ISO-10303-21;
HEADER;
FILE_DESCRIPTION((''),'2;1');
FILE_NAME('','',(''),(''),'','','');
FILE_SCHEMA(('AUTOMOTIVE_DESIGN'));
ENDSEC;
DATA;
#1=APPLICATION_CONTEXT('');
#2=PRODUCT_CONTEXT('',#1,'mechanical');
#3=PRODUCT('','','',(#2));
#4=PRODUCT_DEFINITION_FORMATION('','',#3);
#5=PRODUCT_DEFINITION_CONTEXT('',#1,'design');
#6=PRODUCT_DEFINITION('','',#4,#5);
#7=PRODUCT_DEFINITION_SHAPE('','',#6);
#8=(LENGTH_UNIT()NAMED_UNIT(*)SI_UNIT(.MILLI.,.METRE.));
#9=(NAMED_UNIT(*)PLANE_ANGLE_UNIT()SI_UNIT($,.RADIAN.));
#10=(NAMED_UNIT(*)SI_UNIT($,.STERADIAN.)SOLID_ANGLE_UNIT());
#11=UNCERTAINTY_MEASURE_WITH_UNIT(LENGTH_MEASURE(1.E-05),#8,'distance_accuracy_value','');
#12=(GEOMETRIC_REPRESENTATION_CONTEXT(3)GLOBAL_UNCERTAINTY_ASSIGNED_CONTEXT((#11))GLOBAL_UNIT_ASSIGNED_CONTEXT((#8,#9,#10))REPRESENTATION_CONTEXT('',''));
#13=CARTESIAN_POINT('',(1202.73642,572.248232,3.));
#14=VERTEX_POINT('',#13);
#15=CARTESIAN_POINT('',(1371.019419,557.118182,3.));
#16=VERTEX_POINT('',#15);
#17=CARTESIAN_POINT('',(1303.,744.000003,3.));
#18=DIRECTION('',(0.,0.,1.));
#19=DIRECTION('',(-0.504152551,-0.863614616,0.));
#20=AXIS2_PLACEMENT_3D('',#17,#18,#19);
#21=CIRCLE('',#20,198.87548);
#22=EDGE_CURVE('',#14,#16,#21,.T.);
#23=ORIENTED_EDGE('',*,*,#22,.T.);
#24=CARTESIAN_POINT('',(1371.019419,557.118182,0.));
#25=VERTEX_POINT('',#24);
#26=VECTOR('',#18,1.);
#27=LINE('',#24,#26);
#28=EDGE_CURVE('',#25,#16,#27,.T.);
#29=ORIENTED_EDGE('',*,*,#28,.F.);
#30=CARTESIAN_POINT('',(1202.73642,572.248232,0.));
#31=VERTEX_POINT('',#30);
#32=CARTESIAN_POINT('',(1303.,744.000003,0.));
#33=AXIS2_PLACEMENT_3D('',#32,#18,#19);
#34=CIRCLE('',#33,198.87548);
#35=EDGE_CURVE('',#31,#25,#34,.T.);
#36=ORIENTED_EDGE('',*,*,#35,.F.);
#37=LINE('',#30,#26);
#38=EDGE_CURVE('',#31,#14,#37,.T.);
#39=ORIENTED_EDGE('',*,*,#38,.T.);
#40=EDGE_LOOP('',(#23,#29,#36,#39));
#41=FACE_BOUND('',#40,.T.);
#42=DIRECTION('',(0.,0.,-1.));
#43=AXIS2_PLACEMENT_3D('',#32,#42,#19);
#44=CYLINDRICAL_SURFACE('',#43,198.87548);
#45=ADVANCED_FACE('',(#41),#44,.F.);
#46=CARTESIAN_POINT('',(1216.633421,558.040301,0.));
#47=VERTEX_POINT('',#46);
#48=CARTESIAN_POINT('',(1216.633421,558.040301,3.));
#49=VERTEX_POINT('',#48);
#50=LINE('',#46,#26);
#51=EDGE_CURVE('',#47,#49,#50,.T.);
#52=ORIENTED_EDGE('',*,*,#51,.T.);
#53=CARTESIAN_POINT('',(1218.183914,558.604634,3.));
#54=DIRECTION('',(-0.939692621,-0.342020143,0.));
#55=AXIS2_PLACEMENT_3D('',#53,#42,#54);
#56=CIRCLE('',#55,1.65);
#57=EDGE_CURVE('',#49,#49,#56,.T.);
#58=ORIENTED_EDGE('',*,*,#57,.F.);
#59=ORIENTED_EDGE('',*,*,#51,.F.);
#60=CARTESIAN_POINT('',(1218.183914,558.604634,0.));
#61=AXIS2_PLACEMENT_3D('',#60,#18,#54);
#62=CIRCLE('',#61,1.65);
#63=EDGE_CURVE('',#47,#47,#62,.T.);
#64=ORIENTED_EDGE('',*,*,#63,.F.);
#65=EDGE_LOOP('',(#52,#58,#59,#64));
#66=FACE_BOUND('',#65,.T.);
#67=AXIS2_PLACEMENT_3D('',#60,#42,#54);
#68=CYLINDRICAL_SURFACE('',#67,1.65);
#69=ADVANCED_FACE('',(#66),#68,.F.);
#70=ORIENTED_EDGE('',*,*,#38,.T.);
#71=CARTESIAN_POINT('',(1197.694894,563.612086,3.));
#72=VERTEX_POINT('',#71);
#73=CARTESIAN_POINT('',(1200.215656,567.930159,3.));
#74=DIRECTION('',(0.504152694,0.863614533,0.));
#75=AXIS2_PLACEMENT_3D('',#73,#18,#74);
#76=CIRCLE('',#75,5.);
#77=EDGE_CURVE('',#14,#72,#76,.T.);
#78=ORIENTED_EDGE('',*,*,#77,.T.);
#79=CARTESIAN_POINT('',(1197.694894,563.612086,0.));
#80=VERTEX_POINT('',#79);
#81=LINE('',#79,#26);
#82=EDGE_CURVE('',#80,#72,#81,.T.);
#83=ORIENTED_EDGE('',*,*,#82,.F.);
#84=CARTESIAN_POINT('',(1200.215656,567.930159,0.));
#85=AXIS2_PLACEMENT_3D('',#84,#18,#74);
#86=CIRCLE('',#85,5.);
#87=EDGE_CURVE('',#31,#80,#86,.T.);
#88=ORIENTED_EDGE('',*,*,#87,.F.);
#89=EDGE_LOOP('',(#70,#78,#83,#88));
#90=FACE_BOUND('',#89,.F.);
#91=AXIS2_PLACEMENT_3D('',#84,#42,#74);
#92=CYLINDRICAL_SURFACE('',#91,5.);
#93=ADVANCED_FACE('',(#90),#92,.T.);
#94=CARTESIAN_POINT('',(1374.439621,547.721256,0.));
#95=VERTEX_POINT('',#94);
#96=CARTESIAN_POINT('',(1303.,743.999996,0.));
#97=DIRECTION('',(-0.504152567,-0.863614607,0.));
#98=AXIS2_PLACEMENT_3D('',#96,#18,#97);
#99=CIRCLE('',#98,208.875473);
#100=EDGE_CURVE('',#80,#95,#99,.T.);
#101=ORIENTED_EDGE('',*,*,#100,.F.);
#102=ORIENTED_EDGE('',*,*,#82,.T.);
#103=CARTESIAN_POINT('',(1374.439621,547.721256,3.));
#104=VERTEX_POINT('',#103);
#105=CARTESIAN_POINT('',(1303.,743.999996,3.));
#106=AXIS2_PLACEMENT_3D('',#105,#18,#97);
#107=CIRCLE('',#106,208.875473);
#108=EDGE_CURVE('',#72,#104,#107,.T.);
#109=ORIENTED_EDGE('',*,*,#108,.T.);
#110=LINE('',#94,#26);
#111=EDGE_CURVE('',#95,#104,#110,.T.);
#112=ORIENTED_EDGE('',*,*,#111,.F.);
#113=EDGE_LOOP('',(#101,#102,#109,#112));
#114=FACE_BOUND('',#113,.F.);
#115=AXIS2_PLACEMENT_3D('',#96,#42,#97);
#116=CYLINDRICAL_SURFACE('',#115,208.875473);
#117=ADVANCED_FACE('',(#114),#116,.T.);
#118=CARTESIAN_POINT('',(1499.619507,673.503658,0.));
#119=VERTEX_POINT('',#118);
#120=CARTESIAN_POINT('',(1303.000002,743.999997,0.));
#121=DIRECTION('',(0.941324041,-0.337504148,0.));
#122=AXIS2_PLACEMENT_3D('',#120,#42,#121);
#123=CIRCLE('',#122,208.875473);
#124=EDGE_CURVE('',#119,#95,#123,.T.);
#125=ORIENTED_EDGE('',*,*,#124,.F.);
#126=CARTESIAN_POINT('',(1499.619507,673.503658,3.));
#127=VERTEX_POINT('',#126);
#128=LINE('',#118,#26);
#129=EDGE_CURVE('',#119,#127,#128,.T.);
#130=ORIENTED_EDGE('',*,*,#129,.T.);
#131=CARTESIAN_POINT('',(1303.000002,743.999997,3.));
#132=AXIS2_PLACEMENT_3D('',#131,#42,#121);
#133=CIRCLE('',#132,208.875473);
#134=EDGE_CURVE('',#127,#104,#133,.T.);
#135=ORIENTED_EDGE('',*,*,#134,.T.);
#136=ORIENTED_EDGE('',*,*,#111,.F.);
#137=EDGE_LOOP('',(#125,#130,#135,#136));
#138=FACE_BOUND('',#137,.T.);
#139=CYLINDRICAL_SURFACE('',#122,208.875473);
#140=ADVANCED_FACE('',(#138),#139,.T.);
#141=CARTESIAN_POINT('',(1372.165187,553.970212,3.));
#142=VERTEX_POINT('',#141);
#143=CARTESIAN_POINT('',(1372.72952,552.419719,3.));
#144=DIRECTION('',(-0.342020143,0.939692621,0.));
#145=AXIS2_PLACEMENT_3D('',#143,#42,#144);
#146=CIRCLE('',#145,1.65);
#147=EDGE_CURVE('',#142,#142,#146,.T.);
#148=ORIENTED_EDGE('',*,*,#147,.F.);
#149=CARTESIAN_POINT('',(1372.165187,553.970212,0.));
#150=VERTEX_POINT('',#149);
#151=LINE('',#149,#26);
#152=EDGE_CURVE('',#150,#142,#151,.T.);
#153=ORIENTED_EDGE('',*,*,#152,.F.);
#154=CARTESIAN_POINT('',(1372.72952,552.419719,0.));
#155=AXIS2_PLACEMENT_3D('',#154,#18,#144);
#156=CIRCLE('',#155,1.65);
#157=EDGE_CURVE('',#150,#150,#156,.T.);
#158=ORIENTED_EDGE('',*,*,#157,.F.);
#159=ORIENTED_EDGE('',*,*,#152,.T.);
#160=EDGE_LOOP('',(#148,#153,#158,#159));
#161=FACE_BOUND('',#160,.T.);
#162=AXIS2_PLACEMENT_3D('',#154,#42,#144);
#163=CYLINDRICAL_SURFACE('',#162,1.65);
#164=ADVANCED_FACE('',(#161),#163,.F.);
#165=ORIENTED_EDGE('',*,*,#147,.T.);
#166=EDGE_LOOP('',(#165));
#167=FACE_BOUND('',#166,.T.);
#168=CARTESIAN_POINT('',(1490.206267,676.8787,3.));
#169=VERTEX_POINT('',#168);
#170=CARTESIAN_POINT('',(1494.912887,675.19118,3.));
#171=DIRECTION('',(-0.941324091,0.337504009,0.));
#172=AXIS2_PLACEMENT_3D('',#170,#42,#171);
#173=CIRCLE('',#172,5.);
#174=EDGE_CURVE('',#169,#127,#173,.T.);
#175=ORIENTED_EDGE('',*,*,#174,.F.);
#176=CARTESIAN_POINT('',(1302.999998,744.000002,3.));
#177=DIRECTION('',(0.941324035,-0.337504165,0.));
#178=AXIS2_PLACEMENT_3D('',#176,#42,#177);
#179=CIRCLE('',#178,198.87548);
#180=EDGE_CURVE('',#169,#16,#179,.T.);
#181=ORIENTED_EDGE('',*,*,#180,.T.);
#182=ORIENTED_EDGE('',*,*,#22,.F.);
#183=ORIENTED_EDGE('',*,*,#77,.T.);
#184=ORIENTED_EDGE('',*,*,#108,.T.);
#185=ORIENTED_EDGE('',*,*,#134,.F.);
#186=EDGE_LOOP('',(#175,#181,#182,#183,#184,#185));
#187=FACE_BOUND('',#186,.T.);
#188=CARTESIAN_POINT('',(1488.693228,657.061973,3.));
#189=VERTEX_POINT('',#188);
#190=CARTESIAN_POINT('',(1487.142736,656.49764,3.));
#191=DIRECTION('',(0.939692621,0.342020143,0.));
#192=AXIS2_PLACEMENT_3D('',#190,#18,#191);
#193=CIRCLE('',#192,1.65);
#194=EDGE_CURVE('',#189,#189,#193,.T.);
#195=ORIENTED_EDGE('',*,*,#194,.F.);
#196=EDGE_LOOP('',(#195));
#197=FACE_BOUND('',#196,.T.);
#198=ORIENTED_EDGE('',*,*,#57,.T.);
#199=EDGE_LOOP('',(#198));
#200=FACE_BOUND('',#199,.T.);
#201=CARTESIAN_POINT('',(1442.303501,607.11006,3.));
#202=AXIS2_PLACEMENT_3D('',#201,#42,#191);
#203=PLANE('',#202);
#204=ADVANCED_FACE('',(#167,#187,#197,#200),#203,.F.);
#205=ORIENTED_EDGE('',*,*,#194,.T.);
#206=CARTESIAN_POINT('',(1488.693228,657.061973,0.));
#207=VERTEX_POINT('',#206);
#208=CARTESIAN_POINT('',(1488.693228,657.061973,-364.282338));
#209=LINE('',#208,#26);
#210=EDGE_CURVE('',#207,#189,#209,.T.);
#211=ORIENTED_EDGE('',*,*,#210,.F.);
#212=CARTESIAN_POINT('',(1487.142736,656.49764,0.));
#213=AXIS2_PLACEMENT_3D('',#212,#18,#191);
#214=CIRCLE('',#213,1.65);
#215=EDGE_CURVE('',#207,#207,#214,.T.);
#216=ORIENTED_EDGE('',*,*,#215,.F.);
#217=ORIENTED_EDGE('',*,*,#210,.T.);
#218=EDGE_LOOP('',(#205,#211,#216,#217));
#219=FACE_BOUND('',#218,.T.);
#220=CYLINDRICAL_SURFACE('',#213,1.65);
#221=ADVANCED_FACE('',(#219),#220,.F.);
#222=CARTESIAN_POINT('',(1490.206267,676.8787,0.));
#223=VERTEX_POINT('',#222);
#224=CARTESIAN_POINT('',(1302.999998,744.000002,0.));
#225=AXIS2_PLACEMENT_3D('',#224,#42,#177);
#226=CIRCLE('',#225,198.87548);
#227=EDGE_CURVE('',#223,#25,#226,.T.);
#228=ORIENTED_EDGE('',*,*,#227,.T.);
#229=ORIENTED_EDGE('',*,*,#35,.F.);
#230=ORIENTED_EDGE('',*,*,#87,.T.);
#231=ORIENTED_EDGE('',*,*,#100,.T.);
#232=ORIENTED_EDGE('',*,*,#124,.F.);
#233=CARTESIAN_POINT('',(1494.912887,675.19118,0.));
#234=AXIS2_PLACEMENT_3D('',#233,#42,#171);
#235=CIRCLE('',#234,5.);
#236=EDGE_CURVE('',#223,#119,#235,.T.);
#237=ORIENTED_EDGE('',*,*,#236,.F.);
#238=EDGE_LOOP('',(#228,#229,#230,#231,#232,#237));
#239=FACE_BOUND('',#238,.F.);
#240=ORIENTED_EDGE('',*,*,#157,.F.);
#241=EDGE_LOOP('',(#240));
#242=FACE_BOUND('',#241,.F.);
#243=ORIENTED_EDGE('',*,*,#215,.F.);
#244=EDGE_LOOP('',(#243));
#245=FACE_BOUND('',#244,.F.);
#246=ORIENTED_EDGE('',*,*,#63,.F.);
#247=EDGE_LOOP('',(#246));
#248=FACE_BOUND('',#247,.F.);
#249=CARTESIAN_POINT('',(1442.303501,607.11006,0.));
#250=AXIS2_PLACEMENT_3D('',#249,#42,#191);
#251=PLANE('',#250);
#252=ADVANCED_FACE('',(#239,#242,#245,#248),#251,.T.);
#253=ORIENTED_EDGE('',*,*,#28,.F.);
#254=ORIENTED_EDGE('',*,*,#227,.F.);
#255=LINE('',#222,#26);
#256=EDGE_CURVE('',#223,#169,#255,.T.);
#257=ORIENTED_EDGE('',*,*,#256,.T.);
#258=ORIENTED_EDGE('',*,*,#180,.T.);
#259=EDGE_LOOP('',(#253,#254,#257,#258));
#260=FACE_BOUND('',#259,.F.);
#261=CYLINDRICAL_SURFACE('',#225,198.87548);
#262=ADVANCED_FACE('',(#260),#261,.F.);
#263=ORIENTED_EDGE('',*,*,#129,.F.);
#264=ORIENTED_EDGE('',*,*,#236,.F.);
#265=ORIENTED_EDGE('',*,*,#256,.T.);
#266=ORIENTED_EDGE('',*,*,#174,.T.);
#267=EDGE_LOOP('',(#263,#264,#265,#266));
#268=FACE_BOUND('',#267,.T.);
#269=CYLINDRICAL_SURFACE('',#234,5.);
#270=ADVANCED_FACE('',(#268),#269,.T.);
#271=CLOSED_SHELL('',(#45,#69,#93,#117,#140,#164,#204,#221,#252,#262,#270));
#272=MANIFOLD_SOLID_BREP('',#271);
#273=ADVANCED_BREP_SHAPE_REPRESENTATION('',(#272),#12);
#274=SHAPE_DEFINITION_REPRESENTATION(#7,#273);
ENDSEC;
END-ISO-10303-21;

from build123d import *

# Parameters (mm, degrees)
PAD014_DEPTH                        = 3
SKETCH055_R                         = 1.65
POCKET019_DEPTH                     = 364.282338
POCKET019_DEPTH_BACK                = 367.282338
BODY001003005003003_PLACEMENT_ANGLE = 60
CLONE001_PLACEMENT_ANGLE            = 140


with BuildPart() as part:
    # Sketch052 → Pad014 (new body)
    with BuildSketch(Plane.XY):
        with BuildLine():
            ThreePointArc((152.959511, 127.101705), (84.480895, 180.040089), (0, 198.875477))
            Line((0, 198.875477), (0, 208.875477))
            ThreePointArc((160.650731, 133.492724), (88.728824, 189.092995), (0, 208.875477))
            ThreePointArc((152.959511, 127.101705), (160.000631, 126.451604), (160.650731, 133.492724))
        make_face()
    pad014 = extrude(amount=PAD014_DEPTH)

    # Sketch055 → Pocket019 (cut, two sides)
    with BuildSketch(Plane.XY) as pocket019_sk:
        with Locations((143.11, 145.205847)):
            Circle(SKETCH055_R)
        with BuildLine():
            Line((0, 202.225477), (0, 205.525477))
            ThreePointArc((0, 202.225477), (1.65, 203.875477), (0, 205.525477))
        make_face()
    pocket019 = extrude(amount=-POCKET019_DEPTH, mode=Mode.SUBTRACT) + extrude(pocket019_sk.sketch, amount=POCKET019_DEPTH_BACK, mode=Mode.SUBTRACT)

    # Mirrored019: Pad014, Pocket019 across Sketch052 V_Axis
    add(pad014.mirror(Plane(origin=(0, 0, 0), x_dir=(0, 0, 1), z_dir=(1, 0, 0))))
    add(pocket019.mirror(Plane(origin=(0, 0, 0), x_dir=(0, 0, 1), z_dir=(1, 0, 0))), mode=Mode.SUBTRACT)


with BuildPart() as part_1:
    # Body001003005003003 placement: moved
    add(part.part.rotate(Axis((0, 0, 0), (0, 0, 1)), BODY001003005003003_PLACEMENT_ANGLE))


with BuildPart() as part_2:
    # Clone001 placement: moved
    add(part_1.part.moved(Location((1303, 744, 0))).rotate(Axis((1303, 744, 0), (0, 0, 1)), CLONE001_PLACEMENT_ANGLE))


solid = part_2.part
